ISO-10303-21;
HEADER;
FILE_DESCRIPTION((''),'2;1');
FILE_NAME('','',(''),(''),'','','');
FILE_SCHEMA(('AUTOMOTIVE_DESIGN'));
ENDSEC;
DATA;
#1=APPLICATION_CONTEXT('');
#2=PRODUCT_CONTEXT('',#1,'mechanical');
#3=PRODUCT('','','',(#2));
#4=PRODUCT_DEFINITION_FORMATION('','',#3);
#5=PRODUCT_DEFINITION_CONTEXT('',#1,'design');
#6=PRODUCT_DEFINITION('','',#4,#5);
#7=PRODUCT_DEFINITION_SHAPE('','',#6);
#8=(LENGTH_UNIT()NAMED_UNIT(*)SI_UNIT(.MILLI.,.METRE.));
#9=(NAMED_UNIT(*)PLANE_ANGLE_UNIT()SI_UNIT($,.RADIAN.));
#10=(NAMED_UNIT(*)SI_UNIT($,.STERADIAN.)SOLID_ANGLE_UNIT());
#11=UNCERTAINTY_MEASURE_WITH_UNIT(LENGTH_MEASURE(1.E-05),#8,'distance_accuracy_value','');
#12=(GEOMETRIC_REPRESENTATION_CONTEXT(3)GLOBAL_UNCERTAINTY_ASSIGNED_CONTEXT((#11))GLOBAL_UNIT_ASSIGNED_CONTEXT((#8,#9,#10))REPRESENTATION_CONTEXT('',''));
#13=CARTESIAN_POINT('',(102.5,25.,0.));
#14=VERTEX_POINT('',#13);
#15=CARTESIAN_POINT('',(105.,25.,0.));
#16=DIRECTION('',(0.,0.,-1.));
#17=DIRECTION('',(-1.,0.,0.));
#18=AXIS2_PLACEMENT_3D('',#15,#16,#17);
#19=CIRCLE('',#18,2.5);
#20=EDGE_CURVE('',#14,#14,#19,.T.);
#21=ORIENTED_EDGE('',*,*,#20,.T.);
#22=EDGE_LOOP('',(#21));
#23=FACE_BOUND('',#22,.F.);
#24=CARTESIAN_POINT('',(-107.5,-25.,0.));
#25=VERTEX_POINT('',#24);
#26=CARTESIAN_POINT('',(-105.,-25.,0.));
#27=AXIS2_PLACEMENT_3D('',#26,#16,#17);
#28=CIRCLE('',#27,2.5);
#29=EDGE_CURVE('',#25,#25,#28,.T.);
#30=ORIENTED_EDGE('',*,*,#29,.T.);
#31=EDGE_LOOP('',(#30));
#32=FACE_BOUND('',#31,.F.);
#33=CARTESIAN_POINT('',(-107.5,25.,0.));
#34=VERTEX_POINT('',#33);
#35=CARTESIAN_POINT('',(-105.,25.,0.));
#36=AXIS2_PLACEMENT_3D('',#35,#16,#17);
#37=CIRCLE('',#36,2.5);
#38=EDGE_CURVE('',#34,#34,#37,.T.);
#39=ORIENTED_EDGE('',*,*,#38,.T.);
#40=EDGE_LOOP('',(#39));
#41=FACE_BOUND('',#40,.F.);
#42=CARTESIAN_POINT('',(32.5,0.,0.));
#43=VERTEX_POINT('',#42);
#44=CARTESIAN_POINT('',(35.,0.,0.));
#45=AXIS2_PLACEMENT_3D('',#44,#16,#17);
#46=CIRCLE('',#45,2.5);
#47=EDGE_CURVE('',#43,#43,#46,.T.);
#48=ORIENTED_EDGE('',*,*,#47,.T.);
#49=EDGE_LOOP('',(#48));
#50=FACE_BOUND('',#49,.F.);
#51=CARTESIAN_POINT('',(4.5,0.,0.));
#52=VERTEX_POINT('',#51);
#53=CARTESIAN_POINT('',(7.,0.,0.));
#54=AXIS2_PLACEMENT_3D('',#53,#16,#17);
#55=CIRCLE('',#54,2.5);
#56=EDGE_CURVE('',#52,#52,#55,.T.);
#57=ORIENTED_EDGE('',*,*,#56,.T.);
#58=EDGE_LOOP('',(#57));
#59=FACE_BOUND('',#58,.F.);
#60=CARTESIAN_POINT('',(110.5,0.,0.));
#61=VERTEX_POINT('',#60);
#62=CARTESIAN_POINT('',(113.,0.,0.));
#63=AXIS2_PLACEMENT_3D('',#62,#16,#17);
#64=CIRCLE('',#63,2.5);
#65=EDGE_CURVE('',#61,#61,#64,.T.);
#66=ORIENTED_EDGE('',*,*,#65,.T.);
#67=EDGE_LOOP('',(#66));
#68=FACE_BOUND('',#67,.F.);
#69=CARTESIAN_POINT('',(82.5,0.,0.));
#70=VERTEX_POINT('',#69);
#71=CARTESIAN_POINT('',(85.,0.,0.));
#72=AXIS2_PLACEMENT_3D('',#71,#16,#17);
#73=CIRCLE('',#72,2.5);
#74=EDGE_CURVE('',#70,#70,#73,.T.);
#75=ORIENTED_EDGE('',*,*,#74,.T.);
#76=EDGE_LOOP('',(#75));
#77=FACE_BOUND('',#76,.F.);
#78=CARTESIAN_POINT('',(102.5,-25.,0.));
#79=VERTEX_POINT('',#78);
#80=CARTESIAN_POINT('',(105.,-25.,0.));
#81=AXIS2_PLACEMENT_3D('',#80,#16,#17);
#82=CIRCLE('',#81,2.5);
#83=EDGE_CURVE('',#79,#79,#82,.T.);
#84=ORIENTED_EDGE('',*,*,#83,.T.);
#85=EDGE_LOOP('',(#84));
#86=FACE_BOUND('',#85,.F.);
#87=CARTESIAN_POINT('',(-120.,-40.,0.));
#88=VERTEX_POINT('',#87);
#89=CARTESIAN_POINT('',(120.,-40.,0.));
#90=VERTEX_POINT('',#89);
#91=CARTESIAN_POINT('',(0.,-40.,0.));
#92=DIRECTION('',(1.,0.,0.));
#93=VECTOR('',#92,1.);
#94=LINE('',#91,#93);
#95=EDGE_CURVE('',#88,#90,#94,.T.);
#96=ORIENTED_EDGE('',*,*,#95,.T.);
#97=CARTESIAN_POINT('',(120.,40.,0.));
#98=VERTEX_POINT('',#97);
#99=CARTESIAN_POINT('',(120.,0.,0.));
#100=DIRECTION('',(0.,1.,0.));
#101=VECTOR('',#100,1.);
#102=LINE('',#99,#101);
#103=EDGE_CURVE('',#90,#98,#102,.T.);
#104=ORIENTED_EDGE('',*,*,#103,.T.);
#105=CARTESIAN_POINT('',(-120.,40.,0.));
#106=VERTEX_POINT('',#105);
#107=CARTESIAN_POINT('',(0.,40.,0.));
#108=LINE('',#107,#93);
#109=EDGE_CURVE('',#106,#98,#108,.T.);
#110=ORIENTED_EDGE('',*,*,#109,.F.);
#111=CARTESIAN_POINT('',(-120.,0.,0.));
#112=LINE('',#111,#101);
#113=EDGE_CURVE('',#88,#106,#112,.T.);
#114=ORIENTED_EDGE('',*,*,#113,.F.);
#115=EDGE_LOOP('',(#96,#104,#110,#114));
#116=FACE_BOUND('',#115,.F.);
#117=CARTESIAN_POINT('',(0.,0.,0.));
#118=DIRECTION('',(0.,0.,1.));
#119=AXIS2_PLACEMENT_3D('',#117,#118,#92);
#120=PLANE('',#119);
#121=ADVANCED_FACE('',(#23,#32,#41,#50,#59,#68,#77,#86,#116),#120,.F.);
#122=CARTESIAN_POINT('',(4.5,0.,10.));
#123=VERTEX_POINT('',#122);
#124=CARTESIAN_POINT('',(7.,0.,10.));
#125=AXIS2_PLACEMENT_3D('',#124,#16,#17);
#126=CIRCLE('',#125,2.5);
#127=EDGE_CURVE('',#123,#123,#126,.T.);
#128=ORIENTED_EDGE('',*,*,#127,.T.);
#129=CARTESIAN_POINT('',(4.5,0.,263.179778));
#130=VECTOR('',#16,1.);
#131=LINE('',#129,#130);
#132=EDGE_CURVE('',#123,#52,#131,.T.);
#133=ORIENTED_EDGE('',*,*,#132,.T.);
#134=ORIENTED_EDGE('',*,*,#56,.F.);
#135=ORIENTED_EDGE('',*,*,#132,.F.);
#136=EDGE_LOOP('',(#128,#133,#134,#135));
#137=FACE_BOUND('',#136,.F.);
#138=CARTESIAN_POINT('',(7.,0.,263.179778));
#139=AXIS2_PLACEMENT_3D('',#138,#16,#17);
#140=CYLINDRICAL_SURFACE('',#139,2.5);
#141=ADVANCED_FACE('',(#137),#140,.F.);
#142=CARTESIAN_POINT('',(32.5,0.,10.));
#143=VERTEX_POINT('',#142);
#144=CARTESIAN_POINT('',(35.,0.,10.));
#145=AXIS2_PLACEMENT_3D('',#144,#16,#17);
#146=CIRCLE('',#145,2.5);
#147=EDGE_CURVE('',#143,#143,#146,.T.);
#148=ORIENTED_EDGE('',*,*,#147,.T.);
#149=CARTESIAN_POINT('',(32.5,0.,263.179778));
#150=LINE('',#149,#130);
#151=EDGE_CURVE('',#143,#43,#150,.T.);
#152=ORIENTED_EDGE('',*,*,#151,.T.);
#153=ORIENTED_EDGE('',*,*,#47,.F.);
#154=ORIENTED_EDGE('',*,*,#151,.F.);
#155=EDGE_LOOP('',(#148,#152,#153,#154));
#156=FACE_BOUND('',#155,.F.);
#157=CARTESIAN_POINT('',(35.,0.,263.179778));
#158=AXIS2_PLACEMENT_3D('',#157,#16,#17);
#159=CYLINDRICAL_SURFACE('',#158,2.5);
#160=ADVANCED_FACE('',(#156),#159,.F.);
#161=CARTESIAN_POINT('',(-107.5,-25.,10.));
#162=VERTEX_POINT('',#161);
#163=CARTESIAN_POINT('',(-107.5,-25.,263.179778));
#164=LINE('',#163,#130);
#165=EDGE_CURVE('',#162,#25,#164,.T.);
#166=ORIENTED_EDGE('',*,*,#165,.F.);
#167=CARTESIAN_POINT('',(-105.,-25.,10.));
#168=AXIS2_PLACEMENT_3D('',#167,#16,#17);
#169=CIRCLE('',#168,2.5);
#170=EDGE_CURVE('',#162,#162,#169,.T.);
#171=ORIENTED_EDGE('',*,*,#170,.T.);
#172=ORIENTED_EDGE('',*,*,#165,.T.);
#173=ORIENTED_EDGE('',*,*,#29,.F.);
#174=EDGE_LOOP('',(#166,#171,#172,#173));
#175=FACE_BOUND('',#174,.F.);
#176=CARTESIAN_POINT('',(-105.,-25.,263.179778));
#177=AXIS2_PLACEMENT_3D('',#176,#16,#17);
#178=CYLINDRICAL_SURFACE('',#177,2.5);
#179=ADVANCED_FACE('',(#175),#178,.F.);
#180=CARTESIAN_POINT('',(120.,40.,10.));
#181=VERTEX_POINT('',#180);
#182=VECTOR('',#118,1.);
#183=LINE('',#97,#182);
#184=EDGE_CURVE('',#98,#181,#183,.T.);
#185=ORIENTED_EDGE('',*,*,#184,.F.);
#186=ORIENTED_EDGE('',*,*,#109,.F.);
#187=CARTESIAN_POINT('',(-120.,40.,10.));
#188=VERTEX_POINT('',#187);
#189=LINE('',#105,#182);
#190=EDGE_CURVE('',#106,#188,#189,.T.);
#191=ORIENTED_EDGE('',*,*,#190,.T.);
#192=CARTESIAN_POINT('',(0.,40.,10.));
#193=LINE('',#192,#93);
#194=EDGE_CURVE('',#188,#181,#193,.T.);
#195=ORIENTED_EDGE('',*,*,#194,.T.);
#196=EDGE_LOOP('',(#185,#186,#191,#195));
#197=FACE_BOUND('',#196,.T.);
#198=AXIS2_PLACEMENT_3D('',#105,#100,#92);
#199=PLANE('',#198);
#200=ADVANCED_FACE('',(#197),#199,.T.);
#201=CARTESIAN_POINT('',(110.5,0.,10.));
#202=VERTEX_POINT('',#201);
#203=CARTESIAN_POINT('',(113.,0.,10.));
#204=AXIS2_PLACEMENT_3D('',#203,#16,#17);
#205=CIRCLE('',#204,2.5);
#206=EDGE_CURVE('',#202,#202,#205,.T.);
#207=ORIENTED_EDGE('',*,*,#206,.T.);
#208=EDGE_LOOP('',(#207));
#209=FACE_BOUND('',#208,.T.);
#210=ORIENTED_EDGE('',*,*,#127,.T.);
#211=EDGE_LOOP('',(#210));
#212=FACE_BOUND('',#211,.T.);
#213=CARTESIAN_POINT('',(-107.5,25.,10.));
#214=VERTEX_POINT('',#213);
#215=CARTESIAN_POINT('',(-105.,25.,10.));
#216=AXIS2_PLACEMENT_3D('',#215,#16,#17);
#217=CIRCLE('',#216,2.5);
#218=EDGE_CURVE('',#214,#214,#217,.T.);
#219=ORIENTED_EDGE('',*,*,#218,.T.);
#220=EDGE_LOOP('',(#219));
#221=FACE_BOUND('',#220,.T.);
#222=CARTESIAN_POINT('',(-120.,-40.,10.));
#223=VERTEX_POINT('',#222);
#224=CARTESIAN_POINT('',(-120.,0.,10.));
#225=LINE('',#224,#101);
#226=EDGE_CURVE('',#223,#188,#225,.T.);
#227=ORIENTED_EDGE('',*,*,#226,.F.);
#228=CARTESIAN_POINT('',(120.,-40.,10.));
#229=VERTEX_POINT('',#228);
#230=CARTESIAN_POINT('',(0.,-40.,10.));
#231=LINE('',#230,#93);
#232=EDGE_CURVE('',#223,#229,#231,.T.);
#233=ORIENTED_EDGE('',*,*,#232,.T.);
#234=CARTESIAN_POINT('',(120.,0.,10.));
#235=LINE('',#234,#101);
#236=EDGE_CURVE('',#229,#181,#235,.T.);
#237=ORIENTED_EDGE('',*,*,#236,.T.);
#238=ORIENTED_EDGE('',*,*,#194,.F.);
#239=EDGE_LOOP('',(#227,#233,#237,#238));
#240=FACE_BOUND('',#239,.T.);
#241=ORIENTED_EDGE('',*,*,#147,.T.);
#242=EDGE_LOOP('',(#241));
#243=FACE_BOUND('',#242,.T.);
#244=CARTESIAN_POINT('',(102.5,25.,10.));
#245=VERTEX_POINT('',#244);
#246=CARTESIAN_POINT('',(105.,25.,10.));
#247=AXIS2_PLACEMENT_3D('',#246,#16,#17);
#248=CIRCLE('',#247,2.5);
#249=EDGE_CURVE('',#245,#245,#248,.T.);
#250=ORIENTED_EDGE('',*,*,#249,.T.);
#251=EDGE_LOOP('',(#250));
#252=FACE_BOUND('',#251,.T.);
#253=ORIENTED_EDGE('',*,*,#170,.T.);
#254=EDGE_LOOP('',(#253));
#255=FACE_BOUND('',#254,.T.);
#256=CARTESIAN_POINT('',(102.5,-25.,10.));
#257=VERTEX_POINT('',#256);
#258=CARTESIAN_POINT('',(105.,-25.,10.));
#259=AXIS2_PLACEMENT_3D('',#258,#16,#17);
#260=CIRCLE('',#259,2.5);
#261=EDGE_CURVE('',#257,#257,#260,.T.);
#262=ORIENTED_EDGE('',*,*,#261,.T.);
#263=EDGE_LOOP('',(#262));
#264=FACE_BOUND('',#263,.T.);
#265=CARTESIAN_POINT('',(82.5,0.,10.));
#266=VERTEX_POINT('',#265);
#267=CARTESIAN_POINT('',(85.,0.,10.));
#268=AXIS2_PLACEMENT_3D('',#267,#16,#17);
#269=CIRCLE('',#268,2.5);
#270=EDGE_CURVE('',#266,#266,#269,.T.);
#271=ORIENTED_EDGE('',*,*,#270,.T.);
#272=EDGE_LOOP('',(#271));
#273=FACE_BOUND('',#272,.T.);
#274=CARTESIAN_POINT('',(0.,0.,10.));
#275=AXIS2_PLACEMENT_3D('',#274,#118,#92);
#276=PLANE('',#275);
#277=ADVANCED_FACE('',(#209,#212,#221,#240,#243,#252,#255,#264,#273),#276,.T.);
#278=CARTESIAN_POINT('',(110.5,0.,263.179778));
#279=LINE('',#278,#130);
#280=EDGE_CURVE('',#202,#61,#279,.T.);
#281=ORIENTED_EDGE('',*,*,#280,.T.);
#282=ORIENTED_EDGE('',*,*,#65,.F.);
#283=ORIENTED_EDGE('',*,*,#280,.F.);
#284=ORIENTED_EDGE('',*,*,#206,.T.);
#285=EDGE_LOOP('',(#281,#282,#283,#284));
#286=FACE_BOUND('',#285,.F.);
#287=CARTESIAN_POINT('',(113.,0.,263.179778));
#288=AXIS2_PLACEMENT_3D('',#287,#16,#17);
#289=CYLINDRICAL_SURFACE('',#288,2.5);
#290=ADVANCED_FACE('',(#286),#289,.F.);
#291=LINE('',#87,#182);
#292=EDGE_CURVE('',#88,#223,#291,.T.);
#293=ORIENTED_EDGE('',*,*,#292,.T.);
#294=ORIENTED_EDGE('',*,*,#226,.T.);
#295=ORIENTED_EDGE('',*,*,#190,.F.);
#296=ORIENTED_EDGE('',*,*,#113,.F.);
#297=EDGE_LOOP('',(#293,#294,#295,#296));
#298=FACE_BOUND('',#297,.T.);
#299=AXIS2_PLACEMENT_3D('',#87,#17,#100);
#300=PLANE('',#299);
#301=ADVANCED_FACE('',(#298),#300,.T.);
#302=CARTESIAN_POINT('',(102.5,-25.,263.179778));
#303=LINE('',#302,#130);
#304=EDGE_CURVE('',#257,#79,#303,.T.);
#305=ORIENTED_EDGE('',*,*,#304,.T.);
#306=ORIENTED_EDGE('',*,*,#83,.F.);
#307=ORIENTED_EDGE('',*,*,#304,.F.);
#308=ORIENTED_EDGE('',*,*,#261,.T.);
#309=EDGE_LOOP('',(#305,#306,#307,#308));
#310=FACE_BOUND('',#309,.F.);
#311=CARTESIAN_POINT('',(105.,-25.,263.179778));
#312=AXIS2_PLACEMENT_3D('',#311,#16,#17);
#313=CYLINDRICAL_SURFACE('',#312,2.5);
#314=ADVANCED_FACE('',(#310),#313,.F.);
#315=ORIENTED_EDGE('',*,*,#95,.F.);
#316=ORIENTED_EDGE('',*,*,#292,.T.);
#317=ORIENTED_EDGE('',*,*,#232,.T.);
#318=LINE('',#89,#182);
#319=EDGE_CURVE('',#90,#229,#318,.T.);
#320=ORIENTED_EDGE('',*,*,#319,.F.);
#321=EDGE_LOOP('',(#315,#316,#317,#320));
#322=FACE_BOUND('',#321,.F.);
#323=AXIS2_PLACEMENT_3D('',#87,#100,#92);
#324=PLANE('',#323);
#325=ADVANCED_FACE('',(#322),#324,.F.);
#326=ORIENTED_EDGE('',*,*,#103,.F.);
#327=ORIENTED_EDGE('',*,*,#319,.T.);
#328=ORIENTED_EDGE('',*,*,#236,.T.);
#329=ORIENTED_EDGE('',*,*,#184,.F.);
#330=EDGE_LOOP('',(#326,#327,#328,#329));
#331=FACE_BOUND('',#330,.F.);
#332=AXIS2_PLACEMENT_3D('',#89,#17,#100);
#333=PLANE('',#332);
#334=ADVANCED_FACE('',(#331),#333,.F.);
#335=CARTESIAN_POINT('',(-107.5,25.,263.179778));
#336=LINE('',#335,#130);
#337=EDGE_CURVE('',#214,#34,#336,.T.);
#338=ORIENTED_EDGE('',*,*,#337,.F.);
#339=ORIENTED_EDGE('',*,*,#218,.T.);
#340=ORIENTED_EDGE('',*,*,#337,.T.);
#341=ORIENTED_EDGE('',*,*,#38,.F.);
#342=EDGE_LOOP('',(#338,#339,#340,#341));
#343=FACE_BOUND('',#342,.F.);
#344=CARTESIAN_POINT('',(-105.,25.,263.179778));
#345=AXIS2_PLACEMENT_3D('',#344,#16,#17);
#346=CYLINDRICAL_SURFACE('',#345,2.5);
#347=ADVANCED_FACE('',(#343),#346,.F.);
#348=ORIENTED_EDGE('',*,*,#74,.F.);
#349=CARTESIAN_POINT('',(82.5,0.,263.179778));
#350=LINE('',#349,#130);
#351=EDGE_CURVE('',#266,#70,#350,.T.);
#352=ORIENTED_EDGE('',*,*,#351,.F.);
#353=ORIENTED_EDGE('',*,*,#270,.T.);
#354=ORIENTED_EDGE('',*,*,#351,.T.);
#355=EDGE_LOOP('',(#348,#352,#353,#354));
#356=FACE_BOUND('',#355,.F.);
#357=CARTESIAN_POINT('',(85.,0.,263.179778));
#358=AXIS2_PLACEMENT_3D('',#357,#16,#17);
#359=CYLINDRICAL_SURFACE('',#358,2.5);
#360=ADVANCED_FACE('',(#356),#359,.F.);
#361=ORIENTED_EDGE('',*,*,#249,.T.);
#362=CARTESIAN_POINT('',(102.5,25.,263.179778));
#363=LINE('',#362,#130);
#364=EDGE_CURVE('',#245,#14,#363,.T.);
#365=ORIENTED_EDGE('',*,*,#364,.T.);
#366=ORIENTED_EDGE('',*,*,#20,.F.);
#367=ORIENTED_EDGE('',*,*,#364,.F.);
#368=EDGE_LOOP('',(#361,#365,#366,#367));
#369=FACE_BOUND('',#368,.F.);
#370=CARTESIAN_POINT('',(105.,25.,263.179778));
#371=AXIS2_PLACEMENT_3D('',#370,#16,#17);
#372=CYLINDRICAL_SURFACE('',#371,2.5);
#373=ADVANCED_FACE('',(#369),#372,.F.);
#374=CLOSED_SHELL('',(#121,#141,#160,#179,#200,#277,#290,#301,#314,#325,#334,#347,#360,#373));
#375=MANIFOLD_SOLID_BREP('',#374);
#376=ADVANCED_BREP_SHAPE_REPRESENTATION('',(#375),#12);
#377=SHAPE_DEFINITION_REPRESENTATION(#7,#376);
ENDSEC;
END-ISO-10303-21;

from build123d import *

# Parameters (mm, degrees)
F0_W     = 240
F0_H     = 80
F1_DEPTH = 10
F3_D     = 5


with BuildPart() as f1:
    # F0 (on Top) → F1 (new body)
    with BuildSketch(Plane.XY):
        Rectangle(F0_W, F0_H)
    extrude(amount=F1_DEPTH)

    # F3 (through all)
    with Locations(Plane.XY.offset(10)):
        with Locations((-105, 25), (-105, -25), (105, 25), (105, -25), (7, 0), (35, 0), (85, 0), (113, 0)):
            Hole(F3_D / 2)


solid = f1.part
